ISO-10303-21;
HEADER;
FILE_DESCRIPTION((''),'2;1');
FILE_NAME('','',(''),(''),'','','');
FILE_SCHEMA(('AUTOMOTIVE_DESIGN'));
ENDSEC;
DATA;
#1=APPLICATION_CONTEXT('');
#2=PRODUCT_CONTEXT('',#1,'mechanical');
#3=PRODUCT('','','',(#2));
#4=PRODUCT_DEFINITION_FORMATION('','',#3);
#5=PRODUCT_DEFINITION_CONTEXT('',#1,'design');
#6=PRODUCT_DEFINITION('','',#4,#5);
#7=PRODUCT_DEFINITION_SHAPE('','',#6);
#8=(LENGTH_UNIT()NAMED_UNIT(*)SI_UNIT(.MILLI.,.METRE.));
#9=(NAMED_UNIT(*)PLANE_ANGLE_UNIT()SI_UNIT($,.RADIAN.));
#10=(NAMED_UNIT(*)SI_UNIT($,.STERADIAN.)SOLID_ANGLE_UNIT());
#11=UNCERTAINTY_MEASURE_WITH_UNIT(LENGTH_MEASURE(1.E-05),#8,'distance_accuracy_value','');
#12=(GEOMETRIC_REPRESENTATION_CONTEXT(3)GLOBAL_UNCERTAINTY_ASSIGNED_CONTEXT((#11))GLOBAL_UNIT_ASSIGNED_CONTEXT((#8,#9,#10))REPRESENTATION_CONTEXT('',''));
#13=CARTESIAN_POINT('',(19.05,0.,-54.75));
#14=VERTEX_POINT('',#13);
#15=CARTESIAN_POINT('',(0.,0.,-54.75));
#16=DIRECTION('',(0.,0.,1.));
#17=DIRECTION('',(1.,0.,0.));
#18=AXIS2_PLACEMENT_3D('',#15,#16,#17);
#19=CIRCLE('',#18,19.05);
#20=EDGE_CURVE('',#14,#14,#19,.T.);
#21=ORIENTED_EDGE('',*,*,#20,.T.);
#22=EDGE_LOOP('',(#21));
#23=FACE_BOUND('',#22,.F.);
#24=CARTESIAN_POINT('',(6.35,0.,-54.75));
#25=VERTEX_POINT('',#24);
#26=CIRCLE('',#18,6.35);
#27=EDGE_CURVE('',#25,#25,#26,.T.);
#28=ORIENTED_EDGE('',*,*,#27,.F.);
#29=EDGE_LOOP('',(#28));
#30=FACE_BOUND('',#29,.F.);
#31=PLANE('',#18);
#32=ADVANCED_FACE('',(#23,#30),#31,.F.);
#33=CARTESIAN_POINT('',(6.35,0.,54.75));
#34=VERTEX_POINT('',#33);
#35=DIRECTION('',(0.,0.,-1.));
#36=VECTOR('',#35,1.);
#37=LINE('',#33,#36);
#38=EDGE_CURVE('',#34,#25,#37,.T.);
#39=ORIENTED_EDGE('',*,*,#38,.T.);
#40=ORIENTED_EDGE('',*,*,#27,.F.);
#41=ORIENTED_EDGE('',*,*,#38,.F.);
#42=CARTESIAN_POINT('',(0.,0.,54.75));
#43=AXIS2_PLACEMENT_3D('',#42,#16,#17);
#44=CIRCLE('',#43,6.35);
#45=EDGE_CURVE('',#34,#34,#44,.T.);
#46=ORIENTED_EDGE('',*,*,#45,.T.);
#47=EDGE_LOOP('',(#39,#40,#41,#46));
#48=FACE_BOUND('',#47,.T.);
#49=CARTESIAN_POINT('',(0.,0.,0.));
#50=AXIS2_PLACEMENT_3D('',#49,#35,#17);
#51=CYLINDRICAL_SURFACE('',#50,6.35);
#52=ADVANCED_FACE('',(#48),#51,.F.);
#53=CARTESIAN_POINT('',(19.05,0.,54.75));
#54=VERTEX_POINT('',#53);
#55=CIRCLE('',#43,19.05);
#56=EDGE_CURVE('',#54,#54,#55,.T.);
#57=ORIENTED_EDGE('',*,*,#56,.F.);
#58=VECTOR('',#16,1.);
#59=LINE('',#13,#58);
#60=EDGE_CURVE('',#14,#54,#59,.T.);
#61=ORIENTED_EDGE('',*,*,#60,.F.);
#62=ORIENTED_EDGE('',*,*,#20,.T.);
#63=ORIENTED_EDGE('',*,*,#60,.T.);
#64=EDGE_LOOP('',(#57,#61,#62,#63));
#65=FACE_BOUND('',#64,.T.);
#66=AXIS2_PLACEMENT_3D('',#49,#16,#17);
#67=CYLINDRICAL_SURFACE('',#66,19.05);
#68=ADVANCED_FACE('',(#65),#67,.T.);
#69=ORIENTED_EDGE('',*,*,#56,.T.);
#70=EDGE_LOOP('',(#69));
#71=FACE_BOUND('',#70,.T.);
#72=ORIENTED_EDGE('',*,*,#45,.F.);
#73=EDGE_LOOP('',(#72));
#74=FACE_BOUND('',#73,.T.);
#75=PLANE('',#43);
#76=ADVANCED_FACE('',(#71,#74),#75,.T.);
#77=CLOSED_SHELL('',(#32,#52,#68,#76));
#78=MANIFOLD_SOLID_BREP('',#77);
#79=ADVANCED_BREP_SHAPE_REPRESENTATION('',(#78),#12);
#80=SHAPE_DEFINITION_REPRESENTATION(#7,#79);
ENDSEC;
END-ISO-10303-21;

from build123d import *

# Parameters (mm, degrees)
SKETCH1_R           = 19.05
SKETCH1_R_2         = 6.35
BOSS_EXTRUDE1_DEPTH = 54.75


with BuildPart() as part:
    # Sketch1 → Boss-Extrude1 (new body, symmetric)
    with BuildSketch(Plane.XY):
        Circle(SKETCH1_R)
        Circle(SKETCH1_R_2, mode=Mode.SUBTRACT)
    extrude(amount=BOSS_EXTRUDE1_DEPTH, both=True)


solid = part.part
